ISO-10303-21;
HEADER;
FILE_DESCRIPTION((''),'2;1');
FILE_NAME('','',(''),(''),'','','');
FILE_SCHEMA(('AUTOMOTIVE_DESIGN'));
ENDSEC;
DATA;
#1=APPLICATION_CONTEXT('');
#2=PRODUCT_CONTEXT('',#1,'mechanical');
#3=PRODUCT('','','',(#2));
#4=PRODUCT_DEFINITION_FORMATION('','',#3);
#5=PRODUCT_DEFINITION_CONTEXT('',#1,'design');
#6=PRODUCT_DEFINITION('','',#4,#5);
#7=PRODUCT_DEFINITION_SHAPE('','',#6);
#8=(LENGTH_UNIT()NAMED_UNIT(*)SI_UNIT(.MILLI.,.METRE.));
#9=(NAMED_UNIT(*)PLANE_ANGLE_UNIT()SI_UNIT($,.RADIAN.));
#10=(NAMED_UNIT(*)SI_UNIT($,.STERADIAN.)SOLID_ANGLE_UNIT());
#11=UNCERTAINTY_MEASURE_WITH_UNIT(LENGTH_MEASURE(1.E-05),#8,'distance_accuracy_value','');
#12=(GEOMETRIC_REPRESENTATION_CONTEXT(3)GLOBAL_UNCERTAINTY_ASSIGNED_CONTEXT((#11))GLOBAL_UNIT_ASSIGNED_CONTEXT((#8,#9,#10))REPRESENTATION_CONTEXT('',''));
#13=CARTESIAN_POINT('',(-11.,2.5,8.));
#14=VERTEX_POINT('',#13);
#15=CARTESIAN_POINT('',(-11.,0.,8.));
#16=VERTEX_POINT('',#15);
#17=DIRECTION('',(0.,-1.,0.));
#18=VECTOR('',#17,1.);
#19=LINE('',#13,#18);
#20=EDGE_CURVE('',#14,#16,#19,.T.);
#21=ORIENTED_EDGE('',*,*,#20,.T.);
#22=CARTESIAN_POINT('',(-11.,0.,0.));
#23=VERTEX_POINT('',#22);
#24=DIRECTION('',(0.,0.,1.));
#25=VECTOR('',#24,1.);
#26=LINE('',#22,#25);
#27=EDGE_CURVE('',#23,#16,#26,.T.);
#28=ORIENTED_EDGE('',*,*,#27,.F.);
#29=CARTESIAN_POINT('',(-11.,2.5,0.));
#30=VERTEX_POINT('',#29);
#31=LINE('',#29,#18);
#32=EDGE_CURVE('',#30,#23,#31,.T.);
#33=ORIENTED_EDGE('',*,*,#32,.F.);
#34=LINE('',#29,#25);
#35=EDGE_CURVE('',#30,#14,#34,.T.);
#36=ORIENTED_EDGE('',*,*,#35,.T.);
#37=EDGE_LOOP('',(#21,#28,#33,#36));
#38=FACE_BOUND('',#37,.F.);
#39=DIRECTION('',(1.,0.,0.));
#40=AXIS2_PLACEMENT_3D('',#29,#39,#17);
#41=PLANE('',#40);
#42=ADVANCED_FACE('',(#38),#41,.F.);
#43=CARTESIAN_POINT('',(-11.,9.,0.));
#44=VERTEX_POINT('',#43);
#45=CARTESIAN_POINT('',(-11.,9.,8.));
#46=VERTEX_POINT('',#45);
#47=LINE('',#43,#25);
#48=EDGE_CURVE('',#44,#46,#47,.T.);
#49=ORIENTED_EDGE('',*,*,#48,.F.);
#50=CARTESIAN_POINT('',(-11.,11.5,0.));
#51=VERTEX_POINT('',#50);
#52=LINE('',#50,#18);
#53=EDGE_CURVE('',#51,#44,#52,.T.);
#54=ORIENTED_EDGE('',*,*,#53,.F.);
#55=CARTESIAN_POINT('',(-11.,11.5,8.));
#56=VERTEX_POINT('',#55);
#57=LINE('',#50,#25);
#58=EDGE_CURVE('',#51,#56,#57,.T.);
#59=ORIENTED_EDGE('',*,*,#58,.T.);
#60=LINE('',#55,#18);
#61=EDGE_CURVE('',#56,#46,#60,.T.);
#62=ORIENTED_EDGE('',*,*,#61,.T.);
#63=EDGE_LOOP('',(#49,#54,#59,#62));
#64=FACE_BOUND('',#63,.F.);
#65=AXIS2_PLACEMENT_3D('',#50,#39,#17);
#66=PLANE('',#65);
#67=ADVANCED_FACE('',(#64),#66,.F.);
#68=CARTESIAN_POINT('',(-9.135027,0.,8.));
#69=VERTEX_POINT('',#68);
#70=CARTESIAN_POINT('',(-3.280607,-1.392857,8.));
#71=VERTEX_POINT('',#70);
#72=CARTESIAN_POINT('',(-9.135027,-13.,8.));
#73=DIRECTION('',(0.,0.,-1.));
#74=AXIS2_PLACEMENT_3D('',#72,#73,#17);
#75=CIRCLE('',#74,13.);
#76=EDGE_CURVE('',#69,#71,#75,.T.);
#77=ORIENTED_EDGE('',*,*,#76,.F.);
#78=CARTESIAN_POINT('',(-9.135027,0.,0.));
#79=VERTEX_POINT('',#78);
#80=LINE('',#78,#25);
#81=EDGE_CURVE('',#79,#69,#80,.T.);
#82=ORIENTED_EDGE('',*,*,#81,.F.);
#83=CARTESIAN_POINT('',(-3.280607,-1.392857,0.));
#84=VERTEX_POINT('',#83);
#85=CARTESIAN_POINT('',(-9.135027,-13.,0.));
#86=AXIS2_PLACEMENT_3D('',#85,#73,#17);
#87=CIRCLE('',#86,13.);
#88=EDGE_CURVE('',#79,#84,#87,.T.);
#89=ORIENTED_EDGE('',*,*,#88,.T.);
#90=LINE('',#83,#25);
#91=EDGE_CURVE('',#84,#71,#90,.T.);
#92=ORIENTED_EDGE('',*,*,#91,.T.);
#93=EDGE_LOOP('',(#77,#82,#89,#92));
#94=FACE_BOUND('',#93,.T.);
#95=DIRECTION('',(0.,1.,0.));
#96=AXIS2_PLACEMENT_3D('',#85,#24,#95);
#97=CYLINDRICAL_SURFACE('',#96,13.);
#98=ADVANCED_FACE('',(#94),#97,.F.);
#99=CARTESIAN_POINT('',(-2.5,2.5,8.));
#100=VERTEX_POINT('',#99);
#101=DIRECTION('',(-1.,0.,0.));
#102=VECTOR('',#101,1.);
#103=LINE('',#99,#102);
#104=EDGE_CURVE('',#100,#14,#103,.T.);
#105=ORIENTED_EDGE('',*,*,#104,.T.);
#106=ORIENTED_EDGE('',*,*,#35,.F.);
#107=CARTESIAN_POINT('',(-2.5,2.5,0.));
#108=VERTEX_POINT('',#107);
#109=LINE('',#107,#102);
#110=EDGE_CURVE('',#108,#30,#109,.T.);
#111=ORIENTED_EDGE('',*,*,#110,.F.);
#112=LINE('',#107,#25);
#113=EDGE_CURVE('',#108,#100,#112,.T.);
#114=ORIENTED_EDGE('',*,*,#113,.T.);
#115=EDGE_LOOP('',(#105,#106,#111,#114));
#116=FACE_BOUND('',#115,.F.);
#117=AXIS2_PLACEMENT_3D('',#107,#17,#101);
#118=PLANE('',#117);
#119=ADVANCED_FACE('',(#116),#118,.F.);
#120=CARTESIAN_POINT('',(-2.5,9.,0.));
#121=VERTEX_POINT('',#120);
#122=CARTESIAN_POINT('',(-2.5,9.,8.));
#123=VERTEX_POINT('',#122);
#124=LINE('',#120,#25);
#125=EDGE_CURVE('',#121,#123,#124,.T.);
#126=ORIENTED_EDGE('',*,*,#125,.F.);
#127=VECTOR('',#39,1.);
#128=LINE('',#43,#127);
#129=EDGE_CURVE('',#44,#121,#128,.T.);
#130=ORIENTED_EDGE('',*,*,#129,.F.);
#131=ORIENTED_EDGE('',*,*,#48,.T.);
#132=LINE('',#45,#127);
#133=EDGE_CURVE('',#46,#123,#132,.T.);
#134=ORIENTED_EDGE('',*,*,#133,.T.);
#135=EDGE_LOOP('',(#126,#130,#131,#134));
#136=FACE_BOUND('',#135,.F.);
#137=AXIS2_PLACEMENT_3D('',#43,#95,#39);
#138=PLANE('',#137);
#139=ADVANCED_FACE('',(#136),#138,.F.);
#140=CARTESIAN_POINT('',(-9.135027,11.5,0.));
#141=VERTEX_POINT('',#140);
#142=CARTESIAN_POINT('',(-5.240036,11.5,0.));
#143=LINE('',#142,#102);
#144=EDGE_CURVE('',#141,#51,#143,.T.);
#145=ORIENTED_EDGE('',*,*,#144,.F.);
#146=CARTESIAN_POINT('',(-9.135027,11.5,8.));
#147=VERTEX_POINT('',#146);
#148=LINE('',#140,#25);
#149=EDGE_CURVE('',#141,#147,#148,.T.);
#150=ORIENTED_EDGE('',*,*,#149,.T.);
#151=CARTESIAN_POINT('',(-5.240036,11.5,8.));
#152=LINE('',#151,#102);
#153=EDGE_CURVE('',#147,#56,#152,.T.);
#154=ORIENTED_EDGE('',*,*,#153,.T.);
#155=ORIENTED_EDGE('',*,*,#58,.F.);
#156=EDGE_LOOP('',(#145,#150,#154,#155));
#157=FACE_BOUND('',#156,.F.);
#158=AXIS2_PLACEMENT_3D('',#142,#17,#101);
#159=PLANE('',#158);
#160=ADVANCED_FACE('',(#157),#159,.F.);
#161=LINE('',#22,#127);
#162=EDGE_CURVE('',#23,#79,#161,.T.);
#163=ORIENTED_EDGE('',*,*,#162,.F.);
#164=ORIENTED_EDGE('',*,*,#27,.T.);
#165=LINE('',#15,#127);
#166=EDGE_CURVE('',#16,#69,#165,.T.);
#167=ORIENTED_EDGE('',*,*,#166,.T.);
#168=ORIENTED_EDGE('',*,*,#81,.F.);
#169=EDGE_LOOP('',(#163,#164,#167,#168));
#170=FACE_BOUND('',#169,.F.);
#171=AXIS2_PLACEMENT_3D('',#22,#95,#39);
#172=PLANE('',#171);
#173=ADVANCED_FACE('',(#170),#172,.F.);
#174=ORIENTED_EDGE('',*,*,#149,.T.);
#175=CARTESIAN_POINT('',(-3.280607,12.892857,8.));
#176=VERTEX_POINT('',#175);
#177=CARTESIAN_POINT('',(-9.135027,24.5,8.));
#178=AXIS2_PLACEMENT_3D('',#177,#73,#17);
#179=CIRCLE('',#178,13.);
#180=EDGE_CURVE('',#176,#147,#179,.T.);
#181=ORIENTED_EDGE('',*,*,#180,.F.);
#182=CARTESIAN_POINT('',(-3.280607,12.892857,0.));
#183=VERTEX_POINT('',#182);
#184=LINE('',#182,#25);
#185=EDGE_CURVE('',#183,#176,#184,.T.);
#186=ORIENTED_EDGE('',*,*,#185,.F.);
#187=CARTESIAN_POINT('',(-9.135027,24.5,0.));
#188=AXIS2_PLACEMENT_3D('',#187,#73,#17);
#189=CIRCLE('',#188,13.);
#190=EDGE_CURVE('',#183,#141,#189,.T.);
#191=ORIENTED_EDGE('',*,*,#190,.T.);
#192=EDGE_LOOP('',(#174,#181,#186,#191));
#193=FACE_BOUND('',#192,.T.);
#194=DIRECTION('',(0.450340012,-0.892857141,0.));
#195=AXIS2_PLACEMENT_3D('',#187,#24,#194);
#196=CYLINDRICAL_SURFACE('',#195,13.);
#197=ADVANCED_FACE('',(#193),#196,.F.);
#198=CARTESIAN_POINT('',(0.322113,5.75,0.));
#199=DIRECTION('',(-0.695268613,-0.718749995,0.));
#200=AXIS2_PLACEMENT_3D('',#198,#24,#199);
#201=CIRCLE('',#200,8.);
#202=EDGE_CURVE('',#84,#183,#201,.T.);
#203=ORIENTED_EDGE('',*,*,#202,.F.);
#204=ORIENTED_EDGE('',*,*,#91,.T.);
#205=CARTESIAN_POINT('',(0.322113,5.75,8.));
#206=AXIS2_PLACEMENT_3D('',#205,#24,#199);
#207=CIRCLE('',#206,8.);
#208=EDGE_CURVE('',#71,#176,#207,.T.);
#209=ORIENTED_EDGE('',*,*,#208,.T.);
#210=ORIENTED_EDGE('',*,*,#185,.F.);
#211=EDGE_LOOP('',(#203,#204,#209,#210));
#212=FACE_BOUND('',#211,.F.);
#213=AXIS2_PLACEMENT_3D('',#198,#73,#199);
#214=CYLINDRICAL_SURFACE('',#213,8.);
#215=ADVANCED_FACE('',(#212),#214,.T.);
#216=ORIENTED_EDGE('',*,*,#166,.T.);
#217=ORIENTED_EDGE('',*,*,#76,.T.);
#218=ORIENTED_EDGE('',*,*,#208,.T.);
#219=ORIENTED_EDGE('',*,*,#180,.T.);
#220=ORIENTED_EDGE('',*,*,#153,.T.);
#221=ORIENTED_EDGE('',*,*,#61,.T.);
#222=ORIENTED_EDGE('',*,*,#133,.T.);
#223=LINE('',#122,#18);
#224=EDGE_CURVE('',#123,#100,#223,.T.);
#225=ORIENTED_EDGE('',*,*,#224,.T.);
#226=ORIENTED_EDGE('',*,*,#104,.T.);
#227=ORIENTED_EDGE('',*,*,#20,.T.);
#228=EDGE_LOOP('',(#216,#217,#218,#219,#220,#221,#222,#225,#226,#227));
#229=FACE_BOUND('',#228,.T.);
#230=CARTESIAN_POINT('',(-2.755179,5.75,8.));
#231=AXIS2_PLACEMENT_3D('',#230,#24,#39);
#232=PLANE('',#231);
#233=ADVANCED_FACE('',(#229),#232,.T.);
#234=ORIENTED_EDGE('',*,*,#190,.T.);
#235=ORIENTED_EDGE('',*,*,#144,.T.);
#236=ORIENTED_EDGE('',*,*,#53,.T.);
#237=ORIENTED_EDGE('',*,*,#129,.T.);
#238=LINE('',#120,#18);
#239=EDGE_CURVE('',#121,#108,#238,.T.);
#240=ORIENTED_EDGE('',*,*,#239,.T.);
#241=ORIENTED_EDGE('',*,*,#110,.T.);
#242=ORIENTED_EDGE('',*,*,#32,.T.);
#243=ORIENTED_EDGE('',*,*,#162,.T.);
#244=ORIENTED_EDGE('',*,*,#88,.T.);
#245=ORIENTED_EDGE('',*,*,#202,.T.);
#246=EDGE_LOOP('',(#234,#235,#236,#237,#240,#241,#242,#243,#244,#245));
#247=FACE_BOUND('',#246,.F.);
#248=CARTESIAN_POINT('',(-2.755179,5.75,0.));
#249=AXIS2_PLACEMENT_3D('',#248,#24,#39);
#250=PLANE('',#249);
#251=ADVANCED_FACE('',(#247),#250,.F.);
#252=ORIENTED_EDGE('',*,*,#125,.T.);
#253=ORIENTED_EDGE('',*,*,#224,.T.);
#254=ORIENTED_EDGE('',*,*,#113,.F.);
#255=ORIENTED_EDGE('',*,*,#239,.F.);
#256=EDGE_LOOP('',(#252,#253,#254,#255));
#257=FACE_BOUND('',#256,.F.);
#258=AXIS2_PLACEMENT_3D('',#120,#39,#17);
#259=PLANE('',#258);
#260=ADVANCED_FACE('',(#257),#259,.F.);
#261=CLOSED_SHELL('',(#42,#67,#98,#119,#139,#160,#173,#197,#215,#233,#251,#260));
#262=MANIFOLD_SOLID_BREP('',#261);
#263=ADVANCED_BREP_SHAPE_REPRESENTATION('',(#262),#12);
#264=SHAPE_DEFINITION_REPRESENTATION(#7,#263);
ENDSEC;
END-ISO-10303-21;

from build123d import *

# Parameters (mm, degrees)
F1_DEPTH = 8
F2_R     = 13


with BuildPart() as f1:
    # F0 (on Top) → F1 (new body)
    with BuildSketch(Plane.XY):
        with BuildLine():
            Line((-11, 0), (-5.240036, 0))
            ThreePointArc((-5.240036, 0), (8.322113, 5.75), (-5.240036, 11.5))
            Line((-5.240036, 11.5), (-11, 11.5))
            Line((-11, 11.5), (-11, 9))
            Line((-11, 9), (-2.5, 9))
            Line((-2.5, 9), (-2.5, 2.5))
            Line((-2.5, 2.5), (-11, 2.5))
            Line((-11, 2.5), (-11, 0))
        make_face()
    extrude(amount=F1_DEPTH)

    # F2
    f2_edges = [f1.edges().sort_by_distance(p)[0] for p in [
        (-5.240036, 0, 4),
        (-5.240036, 11.5, 4),
    ]]
    fillet(f2_edges, radius=F2_R)


solid = f1.part
